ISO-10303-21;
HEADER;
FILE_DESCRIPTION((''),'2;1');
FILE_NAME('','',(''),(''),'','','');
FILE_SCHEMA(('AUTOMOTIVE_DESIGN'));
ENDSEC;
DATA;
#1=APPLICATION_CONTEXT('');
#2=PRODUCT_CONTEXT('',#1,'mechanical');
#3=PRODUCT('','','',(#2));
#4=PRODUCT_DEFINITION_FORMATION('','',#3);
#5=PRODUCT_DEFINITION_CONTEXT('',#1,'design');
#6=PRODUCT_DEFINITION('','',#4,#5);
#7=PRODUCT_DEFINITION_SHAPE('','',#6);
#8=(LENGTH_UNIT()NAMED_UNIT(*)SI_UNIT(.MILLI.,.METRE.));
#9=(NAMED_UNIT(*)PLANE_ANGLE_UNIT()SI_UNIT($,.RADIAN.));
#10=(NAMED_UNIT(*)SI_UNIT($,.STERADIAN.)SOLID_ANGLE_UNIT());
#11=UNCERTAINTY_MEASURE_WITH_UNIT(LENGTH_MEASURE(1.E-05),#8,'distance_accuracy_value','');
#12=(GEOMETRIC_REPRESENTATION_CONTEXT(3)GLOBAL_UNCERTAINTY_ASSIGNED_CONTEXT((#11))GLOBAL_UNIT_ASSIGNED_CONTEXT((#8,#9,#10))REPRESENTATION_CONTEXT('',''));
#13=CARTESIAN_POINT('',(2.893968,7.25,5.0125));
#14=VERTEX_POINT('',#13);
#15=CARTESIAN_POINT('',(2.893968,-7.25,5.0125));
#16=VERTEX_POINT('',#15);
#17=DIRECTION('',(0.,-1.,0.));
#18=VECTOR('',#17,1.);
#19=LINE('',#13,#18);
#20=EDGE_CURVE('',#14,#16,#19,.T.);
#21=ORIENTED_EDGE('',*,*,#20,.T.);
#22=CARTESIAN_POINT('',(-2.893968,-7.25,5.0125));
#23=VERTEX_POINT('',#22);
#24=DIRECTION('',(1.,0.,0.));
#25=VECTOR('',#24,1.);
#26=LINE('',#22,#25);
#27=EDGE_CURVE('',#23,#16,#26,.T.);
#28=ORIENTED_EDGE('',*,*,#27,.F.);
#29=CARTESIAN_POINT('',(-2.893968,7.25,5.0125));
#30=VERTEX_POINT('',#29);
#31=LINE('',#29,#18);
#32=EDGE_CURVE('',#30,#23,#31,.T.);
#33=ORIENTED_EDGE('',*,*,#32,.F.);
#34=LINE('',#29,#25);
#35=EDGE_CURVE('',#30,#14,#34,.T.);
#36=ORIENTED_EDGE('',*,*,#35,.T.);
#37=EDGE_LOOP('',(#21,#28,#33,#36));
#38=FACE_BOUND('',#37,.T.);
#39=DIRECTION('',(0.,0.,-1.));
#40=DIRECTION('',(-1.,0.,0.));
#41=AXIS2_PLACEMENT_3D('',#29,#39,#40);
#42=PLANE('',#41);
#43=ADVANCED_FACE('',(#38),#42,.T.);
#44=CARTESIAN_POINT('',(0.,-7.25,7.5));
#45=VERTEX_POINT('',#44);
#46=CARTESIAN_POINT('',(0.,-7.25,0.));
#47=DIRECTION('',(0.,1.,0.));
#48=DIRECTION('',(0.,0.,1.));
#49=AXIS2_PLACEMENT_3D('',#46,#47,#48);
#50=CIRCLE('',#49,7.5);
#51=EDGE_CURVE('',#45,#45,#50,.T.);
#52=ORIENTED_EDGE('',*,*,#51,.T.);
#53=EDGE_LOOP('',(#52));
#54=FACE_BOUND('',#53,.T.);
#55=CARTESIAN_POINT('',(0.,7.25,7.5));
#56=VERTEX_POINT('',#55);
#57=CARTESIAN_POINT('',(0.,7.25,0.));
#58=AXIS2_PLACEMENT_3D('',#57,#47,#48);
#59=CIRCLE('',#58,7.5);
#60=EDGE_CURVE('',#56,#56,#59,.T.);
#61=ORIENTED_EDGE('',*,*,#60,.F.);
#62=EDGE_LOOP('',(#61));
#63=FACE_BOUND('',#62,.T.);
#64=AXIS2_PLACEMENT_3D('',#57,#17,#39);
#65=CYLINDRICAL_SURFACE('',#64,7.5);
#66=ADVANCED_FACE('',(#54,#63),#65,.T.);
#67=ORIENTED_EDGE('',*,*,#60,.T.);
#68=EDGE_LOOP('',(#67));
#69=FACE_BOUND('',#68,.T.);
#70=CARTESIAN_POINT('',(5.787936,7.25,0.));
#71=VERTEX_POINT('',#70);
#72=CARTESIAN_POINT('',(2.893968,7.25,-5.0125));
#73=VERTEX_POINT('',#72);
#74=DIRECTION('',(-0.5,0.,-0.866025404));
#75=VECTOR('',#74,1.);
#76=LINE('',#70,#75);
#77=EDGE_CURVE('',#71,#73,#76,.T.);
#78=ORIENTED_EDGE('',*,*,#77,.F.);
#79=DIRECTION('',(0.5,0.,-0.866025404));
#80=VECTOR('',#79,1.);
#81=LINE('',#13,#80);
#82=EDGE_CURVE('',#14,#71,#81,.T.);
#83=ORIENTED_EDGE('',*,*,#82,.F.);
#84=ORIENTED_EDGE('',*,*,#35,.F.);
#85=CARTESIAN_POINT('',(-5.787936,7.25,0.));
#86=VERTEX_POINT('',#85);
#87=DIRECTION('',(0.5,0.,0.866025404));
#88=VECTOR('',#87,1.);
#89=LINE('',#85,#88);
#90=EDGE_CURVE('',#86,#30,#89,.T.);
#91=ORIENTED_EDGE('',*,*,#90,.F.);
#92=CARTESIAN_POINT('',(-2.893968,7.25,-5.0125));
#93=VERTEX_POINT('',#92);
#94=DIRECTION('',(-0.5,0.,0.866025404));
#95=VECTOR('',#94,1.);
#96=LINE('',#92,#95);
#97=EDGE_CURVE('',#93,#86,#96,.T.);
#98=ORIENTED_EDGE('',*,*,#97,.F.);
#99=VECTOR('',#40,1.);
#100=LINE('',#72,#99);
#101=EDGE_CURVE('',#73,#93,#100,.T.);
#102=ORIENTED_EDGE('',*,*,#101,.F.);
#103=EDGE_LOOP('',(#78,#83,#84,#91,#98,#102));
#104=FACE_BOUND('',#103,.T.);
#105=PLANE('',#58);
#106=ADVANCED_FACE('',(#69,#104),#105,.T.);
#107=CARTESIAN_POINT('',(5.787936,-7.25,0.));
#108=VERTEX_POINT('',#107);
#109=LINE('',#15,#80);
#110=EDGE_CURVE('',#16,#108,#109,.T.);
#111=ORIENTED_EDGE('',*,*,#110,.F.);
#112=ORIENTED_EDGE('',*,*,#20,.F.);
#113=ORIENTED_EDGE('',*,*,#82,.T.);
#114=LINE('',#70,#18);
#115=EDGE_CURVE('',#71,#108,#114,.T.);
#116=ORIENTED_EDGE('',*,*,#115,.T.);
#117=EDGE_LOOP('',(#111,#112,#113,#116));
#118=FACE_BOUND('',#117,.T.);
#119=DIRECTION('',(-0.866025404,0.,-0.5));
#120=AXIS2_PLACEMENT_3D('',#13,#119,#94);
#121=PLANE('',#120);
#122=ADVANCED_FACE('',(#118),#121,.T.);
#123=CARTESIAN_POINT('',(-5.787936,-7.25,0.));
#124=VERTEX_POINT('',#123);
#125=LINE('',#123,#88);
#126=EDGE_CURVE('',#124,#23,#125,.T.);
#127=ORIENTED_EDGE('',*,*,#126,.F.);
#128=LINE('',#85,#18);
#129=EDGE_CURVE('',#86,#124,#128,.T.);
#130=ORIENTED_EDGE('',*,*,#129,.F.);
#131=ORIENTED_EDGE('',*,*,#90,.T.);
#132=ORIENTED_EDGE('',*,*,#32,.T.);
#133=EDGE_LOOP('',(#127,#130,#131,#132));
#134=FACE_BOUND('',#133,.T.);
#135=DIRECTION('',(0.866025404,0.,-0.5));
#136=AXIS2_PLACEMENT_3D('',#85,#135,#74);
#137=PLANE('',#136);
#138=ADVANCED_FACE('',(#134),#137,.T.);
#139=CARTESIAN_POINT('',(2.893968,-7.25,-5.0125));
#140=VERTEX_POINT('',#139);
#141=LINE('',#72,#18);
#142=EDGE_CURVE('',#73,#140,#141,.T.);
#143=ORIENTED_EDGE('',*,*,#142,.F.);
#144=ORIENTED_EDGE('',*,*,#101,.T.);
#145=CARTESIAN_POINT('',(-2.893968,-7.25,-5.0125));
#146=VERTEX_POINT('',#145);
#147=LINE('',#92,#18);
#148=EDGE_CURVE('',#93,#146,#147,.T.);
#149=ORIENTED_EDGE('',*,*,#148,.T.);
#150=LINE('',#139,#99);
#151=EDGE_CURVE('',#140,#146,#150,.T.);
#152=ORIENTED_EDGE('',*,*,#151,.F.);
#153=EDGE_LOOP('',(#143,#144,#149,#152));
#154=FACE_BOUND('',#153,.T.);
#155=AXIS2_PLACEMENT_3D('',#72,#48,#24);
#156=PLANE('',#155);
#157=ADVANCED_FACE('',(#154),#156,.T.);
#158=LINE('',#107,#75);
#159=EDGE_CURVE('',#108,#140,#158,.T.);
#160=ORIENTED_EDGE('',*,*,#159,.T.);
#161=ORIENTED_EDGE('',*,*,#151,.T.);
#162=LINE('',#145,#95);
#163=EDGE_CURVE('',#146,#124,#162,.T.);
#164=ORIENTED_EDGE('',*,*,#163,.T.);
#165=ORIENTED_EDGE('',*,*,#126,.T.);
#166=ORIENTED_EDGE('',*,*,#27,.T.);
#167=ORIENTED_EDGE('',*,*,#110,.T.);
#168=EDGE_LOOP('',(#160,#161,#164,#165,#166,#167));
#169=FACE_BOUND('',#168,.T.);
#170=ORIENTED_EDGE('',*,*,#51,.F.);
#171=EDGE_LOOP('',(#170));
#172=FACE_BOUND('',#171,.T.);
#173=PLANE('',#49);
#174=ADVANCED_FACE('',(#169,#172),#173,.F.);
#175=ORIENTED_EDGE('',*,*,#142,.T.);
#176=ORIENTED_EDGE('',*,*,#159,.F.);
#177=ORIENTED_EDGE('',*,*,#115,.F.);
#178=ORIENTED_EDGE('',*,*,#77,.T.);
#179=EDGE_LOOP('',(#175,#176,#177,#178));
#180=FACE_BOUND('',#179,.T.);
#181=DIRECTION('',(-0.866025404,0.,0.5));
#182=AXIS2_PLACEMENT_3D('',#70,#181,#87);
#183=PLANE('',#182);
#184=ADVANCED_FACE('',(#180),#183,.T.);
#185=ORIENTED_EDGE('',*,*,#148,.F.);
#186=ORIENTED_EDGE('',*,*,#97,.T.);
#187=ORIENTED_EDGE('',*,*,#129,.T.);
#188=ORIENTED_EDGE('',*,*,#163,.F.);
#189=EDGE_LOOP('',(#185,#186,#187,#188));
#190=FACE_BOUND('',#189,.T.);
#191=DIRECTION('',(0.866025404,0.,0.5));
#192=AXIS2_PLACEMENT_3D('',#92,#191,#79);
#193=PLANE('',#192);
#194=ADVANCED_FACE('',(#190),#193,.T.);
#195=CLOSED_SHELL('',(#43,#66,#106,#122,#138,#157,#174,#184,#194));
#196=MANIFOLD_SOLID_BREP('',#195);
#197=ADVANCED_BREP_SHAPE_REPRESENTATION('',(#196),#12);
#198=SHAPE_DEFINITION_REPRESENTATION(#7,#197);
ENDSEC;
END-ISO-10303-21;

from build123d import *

# Parameters (mm, degrees)
SKETCH1_R           = 7.5
BOSS_EXTRUDE1_DEPTH = 7.25


with BuildPart() as part:
    # Sketch1 → Boss-Extrude1 (new, symmetric)
    with BuildSketch(Plane(origin=(0, 0, 0), x_dir=(1, 0, 0), z_dir=(0, 1, 0))):
        Circle(SKETCH1_R)
        Polygon((-2.893968224, -5.0125), (2.893968224, -5.0125), (5.787936449, 0), (2.893968224, 5.0125), (-2.893968224, 5.0125), (-5.787936449, 0), align=None, mode=Mode.SUBTRACT)
    extrude(amount=BOSS_EXTRUDE1_DEPTH, both=True)


solid = part.part
